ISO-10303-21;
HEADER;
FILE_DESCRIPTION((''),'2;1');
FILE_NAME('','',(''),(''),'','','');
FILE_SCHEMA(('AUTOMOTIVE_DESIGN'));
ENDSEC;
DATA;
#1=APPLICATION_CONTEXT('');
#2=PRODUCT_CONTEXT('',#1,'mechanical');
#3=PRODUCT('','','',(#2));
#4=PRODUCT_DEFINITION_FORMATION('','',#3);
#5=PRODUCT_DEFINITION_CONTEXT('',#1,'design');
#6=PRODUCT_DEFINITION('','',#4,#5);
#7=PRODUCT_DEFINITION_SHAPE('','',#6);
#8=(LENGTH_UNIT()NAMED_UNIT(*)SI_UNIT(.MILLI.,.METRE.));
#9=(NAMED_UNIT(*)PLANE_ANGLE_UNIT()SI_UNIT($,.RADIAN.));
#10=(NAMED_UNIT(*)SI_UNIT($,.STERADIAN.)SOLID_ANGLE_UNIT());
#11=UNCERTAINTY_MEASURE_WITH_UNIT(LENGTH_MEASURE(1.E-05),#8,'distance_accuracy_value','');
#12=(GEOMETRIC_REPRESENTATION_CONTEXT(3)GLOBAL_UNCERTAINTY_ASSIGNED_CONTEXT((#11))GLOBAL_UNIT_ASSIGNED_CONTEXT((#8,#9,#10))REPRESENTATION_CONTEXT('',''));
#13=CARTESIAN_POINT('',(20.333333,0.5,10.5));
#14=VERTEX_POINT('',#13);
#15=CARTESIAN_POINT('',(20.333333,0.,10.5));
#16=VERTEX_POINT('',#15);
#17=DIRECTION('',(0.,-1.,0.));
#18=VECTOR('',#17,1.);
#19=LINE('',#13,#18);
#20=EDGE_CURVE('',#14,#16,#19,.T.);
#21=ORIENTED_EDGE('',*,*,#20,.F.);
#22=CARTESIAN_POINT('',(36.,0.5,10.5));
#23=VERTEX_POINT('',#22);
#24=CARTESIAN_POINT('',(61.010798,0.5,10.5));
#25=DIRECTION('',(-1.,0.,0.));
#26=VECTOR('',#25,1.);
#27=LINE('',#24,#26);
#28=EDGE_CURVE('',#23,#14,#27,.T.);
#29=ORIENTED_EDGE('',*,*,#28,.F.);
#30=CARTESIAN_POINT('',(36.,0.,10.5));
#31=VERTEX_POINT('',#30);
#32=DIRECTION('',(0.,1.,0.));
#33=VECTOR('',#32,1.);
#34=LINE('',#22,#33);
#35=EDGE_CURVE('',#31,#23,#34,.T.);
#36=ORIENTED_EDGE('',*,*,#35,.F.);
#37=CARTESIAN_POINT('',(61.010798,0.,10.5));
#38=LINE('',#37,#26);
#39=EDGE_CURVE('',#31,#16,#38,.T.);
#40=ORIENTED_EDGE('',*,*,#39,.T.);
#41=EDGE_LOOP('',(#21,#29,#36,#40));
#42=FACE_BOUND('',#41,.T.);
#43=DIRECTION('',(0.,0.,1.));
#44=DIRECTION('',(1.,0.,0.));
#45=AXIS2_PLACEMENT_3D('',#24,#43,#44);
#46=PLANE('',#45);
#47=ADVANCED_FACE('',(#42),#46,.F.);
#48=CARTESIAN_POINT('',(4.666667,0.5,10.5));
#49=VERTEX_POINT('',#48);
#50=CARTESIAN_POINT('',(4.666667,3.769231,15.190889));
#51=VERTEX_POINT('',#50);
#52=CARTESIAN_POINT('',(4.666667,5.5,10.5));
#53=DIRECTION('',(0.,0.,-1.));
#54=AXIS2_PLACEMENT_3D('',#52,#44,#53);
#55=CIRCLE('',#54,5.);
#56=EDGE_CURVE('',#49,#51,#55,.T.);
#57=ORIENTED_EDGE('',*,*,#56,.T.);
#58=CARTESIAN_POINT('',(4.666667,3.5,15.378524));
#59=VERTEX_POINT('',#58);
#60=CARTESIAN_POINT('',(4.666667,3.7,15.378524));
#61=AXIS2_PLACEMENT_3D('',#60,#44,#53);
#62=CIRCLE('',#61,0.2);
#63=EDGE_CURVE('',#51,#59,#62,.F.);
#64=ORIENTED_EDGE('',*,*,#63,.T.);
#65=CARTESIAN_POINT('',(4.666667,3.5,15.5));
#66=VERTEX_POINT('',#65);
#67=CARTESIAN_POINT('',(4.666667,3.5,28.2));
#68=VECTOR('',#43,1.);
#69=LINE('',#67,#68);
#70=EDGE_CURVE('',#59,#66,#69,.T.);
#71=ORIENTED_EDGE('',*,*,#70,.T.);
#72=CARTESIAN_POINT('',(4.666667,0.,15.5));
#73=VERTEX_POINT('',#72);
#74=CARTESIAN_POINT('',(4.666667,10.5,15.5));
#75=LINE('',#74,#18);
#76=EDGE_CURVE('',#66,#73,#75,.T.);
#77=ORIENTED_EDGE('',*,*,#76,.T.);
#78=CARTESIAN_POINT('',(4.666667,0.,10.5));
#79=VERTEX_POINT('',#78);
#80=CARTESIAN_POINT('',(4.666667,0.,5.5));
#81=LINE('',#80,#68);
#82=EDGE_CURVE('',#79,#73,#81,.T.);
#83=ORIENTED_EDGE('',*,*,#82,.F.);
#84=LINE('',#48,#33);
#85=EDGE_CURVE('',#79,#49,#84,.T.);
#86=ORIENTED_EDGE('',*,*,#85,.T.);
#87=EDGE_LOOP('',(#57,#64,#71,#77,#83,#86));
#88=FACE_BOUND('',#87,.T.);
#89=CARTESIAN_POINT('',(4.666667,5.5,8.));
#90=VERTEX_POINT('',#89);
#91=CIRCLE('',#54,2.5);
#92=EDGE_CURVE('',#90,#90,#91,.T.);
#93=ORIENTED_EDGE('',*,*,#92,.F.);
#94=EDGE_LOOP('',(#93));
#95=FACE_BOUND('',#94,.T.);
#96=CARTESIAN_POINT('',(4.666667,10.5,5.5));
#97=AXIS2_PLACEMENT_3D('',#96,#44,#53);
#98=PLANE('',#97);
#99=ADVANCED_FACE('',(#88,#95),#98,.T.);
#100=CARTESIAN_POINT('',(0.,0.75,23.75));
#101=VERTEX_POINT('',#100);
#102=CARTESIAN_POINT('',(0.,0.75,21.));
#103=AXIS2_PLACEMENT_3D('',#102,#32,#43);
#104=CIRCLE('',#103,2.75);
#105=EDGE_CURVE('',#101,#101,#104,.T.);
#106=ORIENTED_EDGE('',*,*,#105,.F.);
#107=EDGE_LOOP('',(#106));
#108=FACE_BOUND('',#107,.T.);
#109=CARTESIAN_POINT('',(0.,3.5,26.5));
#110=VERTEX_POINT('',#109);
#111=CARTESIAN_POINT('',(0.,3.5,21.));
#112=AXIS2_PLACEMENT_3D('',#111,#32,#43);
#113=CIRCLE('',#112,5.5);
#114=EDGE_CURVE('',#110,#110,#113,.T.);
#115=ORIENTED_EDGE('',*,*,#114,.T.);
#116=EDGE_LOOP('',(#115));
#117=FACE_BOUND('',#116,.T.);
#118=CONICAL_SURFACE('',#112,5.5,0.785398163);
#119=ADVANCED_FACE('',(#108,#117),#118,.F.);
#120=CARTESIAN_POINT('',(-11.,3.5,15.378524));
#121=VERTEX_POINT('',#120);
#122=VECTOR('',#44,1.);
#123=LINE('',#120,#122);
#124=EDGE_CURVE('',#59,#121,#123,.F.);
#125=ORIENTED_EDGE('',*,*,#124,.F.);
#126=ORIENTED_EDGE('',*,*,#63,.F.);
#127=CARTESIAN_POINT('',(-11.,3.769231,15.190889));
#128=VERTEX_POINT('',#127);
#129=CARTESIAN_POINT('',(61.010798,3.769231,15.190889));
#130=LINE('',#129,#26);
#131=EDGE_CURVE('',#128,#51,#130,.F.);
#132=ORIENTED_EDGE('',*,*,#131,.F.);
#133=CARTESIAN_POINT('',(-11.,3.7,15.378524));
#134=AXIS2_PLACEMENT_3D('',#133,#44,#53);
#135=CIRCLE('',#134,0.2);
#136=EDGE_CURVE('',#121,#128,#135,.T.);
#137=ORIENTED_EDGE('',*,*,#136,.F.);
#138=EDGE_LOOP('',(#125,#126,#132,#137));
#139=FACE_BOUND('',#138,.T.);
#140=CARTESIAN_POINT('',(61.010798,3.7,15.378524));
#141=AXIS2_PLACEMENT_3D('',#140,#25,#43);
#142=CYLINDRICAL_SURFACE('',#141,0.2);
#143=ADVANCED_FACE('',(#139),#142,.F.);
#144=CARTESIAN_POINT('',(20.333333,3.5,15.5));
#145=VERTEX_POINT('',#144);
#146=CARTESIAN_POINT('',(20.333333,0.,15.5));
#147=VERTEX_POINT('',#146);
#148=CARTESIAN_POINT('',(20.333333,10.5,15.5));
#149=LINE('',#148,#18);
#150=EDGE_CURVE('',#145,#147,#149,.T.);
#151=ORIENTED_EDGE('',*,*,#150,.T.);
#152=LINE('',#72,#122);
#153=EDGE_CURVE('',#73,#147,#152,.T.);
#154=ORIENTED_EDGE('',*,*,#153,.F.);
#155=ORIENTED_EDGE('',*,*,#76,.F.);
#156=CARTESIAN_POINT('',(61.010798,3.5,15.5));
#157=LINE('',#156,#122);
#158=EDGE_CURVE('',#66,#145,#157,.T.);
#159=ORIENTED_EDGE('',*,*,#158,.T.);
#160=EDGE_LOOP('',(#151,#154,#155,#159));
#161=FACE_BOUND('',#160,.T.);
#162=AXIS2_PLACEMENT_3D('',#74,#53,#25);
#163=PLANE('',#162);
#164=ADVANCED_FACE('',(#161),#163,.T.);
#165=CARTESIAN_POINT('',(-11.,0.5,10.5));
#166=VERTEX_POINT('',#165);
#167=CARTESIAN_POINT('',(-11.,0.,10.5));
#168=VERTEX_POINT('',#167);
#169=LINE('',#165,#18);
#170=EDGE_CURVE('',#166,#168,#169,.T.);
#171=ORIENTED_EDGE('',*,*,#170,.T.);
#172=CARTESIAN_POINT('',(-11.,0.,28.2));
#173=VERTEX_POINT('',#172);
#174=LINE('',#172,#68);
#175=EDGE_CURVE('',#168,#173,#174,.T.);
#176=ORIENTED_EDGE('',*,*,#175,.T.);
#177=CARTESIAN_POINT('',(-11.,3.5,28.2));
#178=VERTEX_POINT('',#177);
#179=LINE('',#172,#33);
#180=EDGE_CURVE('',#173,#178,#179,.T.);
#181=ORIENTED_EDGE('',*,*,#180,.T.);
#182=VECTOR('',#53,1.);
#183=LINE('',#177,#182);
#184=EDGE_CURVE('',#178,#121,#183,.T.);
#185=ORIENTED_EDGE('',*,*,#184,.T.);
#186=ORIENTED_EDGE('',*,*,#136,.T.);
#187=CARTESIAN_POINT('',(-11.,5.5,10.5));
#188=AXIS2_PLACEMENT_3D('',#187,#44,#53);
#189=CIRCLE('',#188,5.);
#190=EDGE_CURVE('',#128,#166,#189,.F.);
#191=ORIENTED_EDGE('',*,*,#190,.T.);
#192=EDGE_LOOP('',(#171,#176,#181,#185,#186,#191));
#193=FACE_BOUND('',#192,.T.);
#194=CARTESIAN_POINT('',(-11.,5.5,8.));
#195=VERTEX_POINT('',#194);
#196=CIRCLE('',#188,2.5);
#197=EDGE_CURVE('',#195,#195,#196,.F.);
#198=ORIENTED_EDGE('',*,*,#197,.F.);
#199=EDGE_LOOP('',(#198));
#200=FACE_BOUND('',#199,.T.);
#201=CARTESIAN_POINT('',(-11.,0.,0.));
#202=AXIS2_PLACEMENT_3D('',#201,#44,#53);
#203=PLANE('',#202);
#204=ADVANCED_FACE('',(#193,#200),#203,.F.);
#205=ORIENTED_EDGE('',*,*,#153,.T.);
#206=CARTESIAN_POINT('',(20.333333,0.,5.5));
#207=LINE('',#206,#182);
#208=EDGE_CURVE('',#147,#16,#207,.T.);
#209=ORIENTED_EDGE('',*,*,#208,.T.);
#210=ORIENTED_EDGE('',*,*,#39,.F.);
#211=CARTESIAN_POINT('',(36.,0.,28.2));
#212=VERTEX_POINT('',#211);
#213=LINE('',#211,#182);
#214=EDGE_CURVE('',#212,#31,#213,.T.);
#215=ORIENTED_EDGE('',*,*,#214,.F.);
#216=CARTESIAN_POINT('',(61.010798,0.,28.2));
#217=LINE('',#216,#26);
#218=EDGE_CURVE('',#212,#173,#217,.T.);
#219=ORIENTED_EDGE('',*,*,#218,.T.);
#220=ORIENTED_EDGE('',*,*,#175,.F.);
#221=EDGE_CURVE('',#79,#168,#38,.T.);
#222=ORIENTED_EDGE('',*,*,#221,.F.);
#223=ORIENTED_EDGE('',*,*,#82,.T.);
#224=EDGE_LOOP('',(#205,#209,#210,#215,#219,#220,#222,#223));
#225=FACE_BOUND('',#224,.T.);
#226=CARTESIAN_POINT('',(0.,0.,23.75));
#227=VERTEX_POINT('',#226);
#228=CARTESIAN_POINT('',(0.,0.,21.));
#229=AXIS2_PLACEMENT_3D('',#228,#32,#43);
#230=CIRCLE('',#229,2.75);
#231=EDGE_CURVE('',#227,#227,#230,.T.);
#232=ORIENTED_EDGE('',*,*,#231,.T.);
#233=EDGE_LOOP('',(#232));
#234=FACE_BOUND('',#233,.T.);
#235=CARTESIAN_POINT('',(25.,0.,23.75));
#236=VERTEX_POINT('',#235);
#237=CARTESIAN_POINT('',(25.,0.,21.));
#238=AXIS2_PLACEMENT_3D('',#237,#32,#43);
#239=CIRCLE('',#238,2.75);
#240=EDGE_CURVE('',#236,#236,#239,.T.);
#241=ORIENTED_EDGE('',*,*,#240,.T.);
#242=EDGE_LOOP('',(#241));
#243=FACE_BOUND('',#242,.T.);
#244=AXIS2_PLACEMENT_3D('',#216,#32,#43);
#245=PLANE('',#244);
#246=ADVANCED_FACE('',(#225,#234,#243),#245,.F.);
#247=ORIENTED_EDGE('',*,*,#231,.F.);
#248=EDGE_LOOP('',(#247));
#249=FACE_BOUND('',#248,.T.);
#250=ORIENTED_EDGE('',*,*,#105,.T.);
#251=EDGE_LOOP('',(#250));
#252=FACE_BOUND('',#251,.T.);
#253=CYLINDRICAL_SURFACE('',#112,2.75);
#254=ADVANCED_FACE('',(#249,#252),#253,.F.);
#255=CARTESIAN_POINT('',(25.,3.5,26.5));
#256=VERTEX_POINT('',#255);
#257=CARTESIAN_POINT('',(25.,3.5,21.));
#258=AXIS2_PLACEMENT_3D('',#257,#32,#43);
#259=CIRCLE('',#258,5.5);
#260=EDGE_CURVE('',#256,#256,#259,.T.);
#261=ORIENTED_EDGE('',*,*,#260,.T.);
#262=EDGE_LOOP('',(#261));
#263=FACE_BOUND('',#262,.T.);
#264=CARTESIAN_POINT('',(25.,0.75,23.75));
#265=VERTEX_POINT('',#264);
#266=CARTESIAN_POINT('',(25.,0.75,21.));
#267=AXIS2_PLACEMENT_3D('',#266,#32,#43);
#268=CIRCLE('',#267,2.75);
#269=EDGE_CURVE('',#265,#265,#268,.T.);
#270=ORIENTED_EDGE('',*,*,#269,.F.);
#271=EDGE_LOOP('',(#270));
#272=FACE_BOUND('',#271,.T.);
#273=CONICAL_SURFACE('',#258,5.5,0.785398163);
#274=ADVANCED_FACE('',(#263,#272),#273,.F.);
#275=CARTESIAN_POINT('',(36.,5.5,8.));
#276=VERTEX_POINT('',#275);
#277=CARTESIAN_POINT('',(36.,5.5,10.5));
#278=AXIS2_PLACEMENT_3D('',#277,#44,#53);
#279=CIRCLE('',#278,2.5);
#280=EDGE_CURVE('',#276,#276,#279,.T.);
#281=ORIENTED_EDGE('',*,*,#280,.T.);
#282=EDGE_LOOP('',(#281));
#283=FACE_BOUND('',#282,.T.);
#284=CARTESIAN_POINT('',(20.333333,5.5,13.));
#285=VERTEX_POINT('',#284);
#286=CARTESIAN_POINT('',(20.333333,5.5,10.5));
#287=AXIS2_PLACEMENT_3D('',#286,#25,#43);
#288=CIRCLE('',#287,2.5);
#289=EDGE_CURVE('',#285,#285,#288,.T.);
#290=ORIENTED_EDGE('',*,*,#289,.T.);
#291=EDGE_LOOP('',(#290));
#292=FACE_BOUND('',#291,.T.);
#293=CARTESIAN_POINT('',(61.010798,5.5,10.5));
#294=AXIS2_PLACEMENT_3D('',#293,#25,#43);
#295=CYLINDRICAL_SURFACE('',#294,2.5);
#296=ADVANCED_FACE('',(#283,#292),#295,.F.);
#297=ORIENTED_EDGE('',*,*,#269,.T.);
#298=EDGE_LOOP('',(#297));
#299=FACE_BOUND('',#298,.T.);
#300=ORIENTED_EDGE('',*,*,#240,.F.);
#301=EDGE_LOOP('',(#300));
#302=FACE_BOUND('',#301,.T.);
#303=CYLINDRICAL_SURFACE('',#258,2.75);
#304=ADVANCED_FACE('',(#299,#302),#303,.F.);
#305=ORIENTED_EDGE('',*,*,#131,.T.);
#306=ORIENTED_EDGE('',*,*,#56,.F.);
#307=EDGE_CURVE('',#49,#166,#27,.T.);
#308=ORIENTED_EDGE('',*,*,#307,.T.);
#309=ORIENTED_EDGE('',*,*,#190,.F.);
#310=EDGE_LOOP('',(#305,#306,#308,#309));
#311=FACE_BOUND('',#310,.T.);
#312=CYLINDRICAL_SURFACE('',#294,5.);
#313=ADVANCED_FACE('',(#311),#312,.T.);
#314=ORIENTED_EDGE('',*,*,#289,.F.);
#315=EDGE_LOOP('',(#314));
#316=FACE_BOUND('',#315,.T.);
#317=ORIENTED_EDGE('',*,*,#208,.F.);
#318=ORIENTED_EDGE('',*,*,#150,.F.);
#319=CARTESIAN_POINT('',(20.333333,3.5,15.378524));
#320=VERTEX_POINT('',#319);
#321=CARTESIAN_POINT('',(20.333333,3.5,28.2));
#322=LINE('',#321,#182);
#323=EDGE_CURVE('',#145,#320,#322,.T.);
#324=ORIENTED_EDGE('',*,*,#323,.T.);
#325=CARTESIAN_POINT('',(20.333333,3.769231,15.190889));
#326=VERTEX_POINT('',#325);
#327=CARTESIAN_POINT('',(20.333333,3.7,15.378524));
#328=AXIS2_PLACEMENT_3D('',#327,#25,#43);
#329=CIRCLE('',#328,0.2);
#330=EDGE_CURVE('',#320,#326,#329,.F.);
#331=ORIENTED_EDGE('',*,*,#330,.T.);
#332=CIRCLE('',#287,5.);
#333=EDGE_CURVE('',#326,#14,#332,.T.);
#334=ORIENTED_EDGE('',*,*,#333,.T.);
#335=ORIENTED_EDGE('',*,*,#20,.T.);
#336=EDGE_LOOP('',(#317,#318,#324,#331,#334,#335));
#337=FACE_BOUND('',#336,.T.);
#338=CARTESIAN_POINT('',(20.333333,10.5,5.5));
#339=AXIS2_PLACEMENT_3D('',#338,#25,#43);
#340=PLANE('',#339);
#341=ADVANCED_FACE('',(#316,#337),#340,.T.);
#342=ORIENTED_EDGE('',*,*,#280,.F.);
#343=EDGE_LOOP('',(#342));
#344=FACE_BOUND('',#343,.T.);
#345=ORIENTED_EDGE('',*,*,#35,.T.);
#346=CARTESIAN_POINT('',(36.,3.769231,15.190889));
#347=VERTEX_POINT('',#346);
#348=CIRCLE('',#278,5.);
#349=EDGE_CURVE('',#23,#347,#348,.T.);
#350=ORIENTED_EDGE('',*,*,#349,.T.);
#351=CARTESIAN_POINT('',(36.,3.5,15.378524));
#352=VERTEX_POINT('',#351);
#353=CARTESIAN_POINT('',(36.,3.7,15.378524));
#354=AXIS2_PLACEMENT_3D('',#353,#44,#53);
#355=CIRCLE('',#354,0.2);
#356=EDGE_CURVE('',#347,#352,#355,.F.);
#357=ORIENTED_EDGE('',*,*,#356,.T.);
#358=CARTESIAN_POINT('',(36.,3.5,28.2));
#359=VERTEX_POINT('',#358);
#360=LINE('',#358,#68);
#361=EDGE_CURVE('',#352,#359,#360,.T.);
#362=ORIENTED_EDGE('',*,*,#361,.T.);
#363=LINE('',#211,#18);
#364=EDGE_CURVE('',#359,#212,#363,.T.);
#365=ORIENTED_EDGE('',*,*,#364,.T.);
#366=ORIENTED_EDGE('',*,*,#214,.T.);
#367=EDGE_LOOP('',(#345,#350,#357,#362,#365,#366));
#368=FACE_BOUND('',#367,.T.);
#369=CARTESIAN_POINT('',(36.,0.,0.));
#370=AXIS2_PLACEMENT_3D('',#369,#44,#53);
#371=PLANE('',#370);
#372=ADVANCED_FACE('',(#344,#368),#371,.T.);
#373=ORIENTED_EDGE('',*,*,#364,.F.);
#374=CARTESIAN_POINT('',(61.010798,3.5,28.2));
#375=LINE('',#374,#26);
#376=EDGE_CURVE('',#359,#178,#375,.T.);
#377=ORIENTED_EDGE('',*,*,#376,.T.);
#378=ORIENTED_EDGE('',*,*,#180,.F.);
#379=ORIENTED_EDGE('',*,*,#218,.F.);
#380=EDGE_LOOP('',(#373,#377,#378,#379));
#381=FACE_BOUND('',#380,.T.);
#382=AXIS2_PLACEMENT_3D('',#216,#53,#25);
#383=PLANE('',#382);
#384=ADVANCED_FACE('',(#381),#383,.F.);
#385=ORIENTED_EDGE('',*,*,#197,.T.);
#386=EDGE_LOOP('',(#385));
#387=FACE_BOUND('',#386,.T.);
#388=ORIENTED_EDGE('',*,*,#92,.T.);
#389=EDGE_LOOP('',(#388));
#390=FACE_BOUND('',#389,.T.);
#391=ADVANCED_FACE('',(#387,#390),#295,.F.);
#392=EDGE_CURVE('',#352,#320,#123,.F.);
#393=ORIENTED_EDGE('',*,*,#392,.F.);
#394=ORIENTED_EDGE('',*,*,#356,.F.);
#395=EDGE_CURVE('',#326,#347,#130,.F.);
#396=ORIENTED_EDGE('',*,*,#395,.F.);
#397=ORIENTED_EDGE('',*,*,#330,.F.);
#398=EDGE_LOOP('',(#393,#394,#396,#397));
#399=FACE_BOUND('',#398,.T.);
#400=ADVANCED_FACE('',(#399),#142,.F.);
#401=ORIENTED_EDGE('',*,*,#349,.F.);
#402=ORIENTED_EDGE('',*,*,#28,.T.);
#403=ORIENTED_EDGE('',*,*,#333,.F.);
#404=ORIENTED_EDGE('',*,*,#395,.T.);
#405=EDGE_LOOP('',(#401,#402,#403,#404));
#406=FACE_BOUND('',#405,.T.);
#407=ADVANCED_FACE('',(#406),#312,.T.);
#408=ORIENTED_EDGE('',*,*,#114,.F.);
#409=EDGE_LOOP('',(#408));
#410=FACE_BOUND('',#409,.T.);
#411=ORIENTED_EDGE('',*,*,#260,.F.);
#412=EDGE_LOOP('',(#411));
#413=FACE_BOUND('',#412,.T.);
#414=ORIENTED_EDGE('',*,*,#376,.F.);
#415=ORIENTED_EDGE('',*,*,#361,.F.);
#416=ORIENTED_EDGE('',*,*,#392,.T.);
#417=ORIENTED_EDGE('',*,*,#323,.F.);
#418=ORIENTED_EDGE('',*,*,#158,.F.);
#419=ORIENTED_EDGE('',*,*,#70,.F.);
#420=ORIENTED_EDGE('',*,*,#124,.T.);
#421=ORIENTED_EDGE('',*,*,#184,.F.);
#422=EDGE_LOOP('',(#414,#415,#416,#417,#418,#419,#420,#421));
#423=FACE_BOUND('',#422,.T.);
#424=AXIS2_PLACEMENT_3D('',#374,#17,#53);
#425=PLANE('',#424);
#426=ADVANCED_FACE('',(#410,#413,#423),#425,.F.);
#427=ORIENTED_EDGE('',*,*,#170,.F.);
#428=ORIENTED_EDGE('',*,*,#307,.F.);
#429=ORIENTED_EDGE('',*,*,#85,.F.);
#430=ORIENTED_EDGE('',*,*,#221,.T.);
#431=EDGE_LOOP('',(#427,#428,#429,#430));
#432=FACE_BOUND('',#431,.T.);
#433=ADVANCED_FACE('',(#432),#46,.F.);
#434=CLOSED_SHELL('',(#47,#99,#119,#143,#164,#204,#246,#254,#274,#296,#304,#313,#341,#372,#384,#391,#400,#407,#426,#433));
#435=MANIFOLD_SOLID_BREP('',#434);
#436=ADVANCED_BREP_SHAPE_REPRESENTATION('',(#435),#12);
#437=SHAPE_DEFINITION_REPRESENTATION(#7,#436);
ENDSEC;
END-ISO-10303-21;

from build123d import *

# Parameters (mm, degrees)
SKETCH1_R                = 2.5
BOSS_EXTRUDE1_DEPTH      = 36
BOSS_EXTRUDE1_DEPTH_BACK = 11
FILLET1_R                = 0.2
SKETCH2_W                = 15.666666666
SKETCH2_H                = 10
SKETCH2_W_2              = 15.666666667
CUT_EXTRUDE1_DEPTH       = 11.5
CSK1_AT_2_COUNT          = 2
CSK1_AT_2_PITCH          = 25


with BuildPart() as part:
    # Sketch1 → Boss-Extrude1 (new body, two sides)
    with BuildSketch(Plane(origin=(0, 0, 0), x_dir=(0, 0, -1), z_dir=(1, 0, 0))) as boss_extrude1_sk:
        with BuildLine():
            Line((-28.2, 0), (-10.5, 0))
            Line((-10.5, 0), (-10.5, 0.5))
            ThreePointArc((-10.5, 0.5), (-7.761387212, 9.683300133), (-15.082575695, 3.5))
            Line((-15.082575695, 3.5), (-28.2, 3.5))
            Line((-28.2, 3.5), (-28.2, 0))
        make_face()
        with Locations((-10.5, 5.5)):
            Circle(SKETCH1_R, mode=Mode.SUBTRACT)
    extrude(amount=BOSS_EXTRUDE1_DEPTH)
    extrude(boss_extrude1_sk.sketch, amount=-BOSS_EXTRUDE1_DEPTH_BACK)

    # Fillet1
    fillet1_edges = [part.edges().sort_by_distance(p)[0] for p in [
        (12.5, 3.5, 15.082575695),
    ]]
    fillet(fillet1_edges, radius=FILLET1_R)

    # Sketch2 → Cut-Extrude1 (cut, through all)
    with BuildSketch(Plane(origin=(0, 0, 0), x_dir=(1, 0, 0), z_dir=(0, 1, 0))):
        with Locations((12.5, -10.5)):
            Rectangle(SKETCH2_W, SKETCH2_H)
        with Locations((43.833333334, -10.5)):
            Rectangle(SKETCH2_W_2, SKETCH2_H)
    extrude(amount=CUT_EXTRUDE1_DEPTH, mode=Mode.SUBTRACT)

    # Sketch3 → CSK1 (revolve, cut)
    with BuildSketch(Plane(origin=(0, 3.5, 21), x_dir=(0, 0, 1), z_dir=(1, 0, 0))):
        Polygon((0, 0), (0, 3.50005), (2.75, 3.50005), (2.75, 2.75), (5.5, 0), align=None)
    csk1 = revolve(axis=Axis((0, 9.85, 21), (0, -1, 0)), mode=Mode.SUBTRACT)

    # CSK1 at 2: CSK1 ×2
    with Locations(*[(i * CSK1_AT_2_PITCH, 0, 0) for i in range(1, CSK1_AT_2_COUNT)]):
        add(csk1, mode=Mode.SUBTRACT)


solid = part.part
